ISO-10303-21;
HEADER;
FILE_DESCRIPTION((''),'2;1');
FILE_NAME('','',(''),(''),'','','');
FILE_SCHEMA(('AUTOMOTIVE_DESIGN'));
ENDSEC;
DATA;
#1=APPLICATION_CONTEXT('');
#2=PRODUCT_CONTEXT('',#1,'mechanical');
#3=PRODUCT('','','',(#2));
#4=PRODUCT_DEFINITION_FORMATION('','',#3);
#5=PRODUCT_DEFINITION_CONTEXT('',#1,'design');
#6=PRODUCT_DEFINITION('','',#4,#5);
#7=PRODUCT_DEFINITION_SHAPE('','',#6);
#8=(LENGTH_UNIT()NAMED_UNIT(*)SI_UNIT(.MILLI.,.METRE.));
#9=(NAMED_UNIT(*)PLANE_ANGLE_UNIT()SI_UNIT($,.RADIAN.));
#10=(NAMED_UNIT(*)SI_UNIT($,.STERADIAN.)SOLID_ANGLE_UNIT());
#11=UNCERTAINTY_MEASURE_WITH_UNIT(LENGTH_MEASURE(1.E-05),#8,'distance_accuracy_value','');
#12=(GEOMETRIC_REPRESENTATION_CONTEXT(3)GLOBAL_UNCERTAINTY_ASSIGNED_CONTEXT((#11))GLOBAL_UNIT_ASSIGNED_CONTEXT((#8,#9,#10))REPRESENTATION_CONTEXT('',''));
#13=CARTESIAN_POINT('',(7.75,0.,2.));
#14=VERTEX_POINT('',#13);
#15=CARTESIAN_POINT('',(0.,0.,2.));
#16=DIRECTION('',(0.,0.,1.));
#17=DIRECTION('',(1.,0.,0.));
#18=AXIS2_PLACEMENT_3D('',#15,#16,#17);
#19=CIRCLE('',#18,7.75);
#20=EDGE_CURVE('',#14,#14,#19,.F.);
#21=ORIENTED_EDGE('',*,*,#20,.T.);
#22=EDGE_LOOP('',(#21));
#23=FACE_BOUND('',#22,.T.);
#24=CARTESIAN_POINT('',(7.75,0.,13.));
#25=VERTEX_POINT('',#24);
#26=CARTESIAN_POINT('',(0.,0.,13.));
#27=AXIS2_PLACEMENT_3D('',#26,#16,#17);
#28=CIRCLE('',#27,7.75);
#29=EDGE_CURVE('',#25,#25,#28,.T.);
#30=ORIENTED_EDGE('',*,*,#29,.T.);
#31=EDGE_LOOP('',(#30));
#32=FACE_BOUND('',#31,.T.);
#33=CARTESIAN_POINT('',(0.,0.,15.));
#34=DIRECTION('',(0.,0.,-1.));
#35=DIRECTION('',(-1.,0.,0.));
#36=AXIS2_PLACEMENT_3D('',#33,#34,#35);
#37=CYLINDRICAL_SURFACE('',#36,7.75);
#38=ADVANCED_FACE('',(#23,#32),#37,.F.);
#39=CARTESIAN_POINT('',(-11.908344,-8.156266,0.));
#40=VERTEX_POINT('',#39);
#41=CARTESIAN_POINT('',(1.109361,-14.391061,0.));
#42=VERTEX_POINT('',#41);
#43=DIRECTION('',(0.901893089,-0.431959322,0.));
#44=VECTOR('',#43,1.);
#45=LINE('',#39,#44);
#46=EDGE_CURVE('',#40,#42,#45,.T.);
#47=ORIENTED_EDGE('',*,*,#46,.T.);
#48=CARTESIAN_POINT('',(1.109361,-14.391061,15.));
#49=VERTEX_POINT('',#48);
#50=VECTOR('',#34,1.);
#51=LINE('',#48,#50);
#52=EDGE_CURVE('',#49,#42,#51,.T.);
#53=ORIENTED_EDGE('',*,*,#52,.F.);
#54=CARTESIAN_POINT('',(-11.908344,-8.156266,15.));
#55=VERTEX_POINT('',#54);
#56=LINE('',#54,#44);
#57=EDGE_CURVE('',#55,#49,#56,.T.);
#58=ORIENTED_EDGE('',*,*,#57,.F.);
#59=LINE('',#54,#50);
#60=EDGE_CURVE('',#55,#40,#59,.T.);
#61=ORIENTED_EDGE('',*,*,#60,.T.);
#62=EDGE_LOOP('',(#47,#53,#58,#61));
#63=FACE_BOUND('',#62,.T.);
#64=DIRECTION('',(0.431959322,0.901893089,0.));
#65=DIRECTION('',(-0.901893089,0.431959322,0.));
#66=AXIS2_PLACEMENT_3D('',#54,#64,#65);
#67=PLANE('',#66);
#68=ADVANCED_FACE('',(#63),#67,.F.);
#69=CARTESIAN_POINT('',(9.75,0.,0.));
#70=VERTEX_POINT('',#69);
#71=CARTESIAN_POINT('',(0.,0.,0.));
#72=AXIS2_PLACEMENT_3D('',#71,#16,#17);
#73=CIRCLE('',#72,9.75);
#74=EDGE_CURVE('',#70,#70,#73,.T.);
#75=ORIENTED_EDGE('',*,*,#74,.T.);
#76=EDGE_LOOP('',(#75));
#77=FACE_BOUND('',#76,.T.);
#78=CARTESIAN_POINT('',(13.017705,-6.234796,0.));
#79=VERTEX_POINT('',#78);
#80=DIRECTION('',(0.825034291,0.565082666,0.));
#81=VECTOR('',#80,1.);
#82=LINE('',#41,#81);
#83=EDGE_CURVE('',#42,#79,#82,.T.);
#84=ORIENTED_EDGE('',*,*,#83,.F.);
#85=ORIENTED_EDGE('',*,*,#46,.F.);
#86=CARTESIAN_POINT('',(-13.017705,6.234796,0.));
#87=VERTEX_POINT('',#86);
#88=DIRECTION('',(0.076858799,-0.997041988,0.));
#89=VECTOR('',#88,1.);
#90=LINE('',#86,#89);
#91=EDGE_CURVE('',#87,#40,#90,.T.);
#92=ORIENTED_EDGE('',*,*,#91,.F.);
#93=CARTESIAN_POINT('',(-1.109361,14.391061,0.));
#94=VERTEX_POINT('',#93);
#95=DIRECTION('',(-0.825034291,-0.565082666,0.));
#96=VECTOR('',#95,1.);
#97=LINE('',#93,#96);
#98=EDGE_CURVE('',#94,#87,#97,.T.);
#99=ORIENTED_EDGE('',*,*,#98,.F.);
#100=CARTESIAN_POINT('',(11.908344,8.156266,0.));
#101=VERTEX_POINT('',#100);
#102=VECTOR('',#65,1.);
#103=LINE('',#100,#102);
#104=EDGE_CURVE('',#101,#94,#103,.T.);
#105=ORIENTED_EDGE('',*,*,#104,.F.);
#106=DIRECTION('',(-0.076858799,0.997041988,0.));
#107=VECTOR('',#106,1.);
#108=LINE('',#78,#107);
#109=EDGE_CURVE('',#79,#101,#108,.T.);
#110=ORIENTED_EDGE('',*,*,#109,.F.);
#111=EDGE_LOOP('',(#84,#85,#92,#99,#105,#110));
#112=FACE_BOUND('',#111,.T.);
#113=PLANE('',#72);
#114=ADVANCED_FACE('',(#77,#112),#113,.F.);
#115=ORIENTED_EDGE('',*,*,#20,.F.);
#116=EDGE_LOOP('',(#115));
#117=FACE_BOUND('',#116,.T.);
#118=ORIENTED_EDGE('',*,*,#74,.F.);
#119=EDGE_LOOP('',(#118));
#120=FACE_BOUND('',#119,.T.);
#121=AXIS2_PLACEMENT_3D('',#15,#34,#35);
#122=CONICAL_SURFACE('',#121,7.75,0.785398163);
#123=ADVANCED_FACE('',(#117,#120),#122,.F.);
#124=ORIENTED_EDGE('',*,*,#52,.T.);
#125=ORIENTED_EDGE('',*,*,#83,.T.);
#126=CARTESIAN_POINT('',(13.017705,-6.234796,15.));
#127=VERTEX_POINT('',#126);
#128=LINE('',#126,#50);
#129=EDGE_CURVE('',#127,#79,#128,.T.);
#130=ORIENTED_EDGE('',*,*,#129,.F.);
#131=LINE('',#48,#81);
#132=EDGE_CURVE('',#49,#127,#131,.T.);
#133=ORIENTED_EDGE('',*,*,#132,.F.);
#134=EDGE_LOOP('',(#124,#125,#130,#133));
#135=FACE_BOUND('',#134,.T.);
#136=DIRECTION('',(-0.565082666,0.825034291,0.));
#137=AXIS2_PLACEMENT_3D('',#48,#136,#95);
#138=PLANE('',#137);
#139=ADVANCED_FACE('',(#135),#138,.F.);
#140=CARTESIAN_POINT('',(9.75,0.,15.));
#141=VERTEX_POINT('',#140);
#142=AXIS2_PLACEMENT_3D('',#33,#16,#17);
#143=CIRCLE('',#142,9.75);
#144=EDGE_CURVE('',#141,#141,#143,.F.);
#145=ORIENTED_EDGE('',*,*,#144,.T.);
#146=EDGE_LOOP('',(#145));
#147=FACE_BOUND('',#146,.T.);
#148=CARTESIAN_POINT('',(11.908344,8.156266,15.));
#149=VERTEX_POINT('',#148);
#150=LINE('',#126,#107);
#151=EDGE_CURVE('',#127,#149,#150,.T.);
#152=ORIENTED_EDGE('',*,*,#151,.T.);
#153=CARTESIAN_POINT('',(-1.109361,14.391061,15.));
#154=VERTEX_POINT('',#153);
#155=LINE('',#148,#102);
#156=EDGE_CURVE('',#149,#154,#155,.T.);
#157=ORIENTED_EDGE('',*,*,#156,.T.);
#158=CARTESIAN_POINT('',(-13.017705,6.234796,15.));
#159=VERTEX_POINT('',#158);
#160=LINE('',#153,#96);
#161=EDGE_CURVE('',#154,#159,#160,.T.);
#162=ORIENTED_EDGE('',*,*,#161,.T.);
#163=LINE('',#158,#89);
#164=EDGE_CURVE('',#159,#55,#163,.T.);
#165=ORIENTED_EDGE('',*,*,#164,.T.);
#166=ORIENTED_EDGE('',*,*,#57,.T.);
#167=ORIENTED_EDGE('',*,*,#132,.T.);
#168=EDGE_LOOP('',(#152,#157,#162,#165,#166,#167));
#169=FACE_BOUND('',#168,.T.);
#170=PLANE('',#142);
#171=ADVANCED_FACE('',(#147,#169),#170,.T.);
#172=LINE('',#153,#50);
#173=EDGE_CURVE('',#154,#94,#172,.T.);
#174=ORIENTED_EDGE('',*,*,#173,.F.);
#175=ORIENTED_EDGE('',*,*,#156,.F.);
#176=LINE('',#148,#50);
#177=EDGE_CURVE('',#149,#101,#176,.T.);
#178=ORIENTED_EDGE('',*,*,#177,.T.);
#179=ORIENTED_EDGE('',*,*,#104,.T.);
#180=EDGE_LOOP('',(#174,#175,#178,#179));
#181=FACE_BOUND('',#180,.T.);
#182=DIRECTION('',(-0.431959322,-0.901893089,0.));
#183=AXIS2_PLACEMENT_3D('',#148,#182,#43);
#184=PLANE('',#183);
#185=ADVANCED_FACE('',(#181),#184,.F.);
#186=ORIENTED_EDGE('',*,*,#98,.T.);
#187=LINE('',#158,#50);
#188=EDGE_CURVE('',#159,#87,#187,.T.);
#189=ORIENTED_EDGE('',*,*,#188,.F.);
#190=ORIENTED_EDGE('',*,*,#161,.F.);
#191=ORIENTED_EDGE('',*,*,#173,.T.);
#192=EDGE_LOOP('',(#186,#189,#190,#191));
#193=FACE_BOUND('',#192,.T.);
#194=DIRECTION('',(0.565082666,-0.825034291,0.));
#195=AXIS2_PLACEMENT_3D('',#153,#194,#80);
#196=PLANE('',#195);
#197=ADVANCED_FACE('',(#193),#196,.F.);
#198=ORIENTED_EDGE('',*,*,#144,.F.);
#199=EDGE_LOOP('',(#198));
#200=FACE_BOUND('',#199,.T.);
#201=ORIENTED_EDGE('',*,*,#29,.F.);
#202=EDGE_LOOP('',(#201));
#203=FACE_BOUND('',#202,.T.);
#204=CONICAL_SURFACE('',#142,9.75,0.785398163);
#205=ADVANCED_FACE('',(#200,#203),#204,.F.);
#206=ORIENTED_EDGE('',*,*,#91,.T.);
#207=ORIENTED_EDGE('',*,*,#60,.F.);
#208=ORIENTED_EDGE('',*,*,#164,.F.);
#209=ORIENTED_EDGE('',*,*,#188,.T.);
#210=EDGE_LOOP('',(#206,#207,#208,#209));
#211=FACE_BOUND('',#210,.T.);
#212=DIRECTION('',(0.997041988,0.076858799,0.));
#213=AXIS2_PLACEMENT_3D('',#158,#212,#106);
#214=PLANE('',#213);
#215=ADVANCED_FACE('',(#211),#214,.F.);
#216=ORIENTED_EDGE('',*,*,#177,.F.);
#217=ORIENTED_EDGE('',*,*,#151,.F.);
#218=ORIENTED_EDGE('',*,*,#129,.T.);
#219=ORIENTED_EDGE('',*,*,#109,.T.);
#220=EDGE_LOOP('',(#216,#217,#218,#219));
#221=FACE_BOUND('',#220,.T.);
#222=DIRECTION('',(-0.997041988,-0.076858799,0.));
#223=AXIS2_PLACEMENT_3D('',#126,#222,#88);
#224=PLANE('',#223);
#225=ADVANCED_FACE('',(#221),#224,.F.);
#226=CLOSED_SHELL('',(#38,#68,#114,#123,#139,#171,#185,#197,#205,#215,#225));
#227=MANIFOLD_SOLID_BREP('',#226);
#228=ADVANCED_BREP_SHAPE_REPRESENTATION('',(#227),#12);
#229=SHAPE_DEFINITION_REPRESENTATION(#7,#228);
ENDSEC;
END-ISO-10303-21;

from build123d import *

# Parameters (mm, degrees)
BOSS_EXTRUDE1_DEPTH = 15
SKETCH2_R           = 7.75
CUT_EXTRUDE1_DEPTH  = 25.526787522
CHAMFER1_SIZE       = 2


with BuildPart() as part:
    # Sketch1 → Boss-Extrude1 (new body)
    with BuildSketch(Plane.XY):
        Polygon((13.017705446, -6.234795766), (11.908344244, 8.156265732), (-1.109361202, 14.391061499), (-13.017705446, 6.234795766), (-11.908344244, -8.156265732), (1.109361202, -14.391061499), align=None)
    extrude(amount=BOSS_EXTRUDE1_DEPTH)

    # Sketch2 → Cut-Extrude1 (cut, through all)
    with BuildSketch(Plane(origin=(0, 0, 0), x_dir=(-1, 0, 0), z_dir=(0, 0, -1))):
        Circle(SKETCH2_R)
    extrude(amount=-CUT_EXTRUDE1_DEPTH, mode=Mode.SUBTRACT)

    # Chamfer1
    chamfer1_edges = [part.edges().sort_by_distance(p)[0] for p in [
        (7.75, 0, 15),
        (7.75, 0, 0),
    ]]
    chamfer(chamfer1_edges, length=CHAMFER1_SIZE)


solid = part.part
